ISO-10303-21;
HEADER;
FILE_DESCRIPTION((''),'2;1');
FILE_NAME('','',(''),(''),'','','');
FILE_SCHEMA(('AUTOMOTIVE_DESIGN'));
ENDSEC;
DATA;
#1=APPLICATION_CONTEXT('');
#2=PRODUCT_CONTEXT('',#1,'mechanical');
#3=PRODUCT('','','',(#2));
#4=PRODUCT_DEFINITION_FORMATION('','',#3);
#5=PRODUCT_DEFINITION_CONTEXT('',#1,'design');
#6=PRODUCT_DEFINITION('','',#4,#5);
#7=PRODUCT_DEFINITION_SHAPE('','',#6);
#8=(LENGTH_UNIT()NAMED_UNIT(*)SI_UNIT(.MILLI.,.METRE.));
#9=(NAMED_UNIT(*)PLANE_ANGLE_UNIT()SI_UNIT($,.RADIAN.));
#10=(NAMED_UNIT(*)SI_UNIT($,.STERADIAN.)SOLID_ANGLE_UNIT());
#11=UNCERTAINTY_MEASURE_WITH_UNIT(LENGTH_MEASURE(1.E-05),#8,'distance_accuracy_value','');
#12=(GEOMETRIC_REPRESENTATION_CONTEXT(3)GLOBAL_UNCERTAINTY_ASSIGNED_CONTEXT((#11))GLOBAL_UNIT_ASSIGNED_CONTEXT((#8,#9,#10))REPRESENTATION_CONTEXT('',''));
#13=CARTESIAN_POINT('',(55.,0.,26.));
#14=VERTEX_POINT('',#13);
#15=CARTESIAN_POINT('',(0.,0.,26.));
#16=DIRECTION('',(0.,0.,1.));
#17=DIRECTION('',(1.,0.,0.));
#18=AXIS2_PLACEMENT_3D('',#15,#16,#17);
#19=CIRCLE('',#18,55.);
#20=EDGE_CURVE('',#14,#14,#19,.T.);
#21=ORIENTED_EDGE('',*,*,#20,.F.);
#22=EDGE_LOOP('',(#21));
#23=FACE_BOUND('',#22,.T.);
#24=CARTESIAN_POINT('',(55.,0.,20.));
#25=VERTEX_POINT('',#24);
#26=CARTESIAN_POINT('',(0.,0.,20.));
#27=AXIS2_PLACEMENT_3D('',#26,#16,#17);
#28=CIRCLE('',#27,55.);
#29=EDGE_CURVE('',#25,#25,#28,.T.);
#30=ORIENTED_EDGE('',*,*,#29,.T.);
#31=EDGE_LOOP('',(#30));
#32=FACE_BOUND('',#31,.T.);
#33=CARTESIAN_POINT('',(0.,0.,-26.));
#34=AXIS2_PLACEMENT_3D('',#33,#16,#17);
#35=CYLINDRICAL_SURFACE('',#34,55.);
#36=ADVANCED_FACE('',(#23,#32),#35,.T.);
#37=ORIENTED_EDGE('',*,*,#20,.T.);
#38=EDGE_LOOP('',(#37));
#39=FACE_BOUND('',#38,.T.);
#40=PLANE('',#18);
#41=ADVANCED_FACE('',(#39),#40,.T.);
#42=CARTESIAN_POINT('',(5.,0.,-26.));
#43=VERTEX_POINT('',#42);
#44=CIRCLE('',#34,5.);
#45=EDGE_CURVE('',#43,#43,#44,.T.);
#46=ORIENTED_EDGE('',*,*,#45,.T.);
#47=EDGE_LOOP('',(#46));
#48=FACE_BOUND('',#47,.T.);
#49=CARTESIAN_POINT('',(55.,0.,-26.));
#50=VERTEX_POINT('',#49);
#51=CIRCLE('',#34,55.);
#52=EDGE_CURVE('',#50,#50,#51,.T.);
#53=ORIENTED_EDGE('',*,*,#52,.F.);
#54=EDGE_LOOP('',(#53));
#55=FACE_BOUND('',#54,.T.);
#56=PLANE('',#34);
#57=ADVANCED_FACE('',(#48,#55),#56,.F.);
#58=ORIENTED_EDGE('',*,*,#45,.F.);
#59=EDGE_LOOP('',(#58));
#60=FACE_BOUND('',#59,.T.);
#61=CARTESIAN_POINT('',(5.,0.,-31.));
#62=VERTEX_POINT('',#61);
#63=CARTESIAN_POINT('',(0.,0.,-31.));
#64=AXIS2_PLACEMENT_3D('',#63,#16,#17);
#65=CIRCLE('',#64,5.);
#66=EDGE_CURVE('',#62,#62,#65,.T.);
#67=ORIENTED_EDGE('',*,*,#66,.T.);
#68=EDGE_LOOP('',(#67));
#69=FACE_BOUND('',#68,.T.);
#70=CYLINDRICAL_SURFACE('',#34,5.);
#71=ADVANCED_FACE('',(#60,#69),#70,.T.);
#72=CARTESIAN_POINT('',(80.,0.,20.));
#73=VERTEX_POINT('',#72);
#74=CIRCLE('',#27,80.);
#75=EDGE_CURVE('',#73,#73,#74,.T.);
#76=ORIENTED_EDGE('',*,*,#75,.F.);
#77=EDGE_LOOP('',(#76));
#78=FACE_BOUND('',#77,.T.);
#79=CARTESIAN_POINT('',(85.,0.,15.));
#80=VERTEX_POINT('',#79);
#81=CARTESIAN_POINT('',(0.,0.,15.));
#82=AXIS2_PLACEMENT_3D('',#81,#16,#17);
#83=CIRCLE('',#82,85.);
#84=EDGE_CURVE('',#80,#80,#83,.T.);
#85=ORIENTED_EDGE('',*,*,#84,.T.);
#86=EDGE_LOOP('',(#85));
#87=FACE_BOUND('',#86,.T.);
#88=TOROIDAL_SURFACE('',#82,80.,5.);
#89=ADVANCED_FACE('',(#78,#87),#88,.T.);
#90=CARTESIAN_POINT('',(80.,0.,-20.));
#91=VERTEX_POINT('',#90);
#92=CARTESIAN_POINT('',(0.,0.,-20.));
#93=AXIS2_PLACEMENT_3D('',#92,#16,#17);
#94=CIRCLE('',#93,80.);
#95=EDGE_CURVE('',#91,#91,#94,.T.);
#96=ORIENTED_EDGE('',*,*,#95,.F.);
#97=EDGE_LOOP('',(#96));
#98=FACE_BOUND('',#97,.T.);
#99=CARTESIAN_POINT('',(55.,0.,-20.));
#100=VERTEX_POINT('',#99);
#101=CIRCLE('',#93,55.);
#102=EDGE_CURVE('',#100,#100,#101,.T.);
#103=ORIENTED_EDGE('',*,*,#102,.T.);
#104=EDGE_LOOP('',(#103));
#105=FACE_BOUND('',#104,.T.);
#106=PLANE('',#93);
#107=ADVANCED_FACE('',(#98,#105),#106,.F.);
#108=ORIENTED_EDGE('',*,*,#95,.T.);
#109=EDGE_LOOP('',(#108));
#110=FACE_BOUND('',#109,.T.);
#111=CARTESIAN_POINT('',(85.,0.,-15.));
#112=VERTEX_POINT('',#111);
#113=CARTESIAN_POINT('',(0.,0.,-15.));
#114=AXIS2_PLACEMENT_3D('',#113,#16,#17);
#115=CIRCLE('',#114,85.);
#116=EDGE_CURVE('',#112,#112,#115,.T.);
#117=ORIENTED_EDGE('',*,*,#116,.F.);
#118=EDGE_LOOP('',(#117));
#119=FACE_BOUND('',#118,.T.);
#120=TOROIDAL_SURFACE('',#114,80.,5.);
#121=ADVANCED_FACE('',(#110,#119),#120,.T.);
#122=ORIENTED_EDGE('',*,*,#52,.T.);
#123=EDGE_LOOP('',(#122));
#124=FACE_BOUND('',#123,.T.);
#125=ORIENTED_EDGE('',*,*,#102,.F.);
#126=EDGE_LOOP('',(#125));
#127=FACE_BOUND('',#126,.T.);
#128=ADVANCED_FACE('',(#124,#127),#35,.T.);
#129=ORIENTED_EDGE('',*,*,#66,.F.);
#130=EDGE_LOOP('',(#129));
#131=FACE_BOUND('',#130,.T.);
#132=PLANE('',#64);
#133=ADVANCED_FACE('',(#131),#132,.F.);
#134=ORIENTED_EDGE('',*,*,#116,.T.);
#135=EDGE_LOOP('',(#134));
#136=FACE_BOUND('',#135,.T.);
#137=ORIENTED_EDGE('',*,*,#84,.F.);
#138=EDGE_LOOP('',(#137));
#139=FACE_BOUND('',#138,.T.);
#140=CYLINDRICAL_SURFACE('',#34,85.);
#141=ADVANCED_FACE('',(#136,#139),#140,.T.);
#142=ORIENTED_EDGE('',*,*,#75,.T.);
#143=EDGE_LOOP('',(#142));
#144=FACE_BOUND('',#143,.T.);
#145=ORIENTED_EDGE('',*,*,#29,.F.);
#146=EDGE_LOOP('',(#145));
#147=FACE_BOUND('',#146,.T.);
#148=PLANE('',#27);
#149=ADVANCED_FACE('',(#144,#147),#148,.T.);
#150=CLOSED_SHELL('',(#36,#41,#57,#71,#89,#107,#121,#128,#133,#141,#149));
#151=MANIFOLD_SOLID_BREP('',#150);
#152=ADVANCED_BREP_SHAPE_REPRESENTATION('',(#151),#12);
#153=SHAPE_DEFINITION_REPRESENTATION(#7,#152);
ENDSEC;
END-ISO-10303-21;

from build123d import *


with BuildPart() as part:
    # 草图1 → 旋转1 (revolve)
    with BuildSketch(Plane(origin=(0, 0, 0), x_dir=(1, 0, 0), z_dir=(0, 1, 0))):
        with BuildLine():
            Line((0, 31), (0, 26))
            Line((0, 26), (0, -26))
            Line((0, -26), (55, -26))
            Line((55, -26), (55, -20))
            Line((55, -20), (80, -20))
            ThreePointArc((80, -20), (83.535533906, -18.535533906), (85, -15))
            Line((85, -15), (85, 15))
            ThreePointArc((85, 15), (83.535533906, 18.535533906), (80, 20))
            Line((80, 20), (55, 20))
            Line((55, 20), (55, 26))
            Line((55, 26), (5, 26))
            Line((5, 26), (5, 31))
            Line((5, 31), (0, 31))
        make_face()
    revolve(axis=Axis((0, 0, -26), (0, 0, -1)))


solid = part.part
